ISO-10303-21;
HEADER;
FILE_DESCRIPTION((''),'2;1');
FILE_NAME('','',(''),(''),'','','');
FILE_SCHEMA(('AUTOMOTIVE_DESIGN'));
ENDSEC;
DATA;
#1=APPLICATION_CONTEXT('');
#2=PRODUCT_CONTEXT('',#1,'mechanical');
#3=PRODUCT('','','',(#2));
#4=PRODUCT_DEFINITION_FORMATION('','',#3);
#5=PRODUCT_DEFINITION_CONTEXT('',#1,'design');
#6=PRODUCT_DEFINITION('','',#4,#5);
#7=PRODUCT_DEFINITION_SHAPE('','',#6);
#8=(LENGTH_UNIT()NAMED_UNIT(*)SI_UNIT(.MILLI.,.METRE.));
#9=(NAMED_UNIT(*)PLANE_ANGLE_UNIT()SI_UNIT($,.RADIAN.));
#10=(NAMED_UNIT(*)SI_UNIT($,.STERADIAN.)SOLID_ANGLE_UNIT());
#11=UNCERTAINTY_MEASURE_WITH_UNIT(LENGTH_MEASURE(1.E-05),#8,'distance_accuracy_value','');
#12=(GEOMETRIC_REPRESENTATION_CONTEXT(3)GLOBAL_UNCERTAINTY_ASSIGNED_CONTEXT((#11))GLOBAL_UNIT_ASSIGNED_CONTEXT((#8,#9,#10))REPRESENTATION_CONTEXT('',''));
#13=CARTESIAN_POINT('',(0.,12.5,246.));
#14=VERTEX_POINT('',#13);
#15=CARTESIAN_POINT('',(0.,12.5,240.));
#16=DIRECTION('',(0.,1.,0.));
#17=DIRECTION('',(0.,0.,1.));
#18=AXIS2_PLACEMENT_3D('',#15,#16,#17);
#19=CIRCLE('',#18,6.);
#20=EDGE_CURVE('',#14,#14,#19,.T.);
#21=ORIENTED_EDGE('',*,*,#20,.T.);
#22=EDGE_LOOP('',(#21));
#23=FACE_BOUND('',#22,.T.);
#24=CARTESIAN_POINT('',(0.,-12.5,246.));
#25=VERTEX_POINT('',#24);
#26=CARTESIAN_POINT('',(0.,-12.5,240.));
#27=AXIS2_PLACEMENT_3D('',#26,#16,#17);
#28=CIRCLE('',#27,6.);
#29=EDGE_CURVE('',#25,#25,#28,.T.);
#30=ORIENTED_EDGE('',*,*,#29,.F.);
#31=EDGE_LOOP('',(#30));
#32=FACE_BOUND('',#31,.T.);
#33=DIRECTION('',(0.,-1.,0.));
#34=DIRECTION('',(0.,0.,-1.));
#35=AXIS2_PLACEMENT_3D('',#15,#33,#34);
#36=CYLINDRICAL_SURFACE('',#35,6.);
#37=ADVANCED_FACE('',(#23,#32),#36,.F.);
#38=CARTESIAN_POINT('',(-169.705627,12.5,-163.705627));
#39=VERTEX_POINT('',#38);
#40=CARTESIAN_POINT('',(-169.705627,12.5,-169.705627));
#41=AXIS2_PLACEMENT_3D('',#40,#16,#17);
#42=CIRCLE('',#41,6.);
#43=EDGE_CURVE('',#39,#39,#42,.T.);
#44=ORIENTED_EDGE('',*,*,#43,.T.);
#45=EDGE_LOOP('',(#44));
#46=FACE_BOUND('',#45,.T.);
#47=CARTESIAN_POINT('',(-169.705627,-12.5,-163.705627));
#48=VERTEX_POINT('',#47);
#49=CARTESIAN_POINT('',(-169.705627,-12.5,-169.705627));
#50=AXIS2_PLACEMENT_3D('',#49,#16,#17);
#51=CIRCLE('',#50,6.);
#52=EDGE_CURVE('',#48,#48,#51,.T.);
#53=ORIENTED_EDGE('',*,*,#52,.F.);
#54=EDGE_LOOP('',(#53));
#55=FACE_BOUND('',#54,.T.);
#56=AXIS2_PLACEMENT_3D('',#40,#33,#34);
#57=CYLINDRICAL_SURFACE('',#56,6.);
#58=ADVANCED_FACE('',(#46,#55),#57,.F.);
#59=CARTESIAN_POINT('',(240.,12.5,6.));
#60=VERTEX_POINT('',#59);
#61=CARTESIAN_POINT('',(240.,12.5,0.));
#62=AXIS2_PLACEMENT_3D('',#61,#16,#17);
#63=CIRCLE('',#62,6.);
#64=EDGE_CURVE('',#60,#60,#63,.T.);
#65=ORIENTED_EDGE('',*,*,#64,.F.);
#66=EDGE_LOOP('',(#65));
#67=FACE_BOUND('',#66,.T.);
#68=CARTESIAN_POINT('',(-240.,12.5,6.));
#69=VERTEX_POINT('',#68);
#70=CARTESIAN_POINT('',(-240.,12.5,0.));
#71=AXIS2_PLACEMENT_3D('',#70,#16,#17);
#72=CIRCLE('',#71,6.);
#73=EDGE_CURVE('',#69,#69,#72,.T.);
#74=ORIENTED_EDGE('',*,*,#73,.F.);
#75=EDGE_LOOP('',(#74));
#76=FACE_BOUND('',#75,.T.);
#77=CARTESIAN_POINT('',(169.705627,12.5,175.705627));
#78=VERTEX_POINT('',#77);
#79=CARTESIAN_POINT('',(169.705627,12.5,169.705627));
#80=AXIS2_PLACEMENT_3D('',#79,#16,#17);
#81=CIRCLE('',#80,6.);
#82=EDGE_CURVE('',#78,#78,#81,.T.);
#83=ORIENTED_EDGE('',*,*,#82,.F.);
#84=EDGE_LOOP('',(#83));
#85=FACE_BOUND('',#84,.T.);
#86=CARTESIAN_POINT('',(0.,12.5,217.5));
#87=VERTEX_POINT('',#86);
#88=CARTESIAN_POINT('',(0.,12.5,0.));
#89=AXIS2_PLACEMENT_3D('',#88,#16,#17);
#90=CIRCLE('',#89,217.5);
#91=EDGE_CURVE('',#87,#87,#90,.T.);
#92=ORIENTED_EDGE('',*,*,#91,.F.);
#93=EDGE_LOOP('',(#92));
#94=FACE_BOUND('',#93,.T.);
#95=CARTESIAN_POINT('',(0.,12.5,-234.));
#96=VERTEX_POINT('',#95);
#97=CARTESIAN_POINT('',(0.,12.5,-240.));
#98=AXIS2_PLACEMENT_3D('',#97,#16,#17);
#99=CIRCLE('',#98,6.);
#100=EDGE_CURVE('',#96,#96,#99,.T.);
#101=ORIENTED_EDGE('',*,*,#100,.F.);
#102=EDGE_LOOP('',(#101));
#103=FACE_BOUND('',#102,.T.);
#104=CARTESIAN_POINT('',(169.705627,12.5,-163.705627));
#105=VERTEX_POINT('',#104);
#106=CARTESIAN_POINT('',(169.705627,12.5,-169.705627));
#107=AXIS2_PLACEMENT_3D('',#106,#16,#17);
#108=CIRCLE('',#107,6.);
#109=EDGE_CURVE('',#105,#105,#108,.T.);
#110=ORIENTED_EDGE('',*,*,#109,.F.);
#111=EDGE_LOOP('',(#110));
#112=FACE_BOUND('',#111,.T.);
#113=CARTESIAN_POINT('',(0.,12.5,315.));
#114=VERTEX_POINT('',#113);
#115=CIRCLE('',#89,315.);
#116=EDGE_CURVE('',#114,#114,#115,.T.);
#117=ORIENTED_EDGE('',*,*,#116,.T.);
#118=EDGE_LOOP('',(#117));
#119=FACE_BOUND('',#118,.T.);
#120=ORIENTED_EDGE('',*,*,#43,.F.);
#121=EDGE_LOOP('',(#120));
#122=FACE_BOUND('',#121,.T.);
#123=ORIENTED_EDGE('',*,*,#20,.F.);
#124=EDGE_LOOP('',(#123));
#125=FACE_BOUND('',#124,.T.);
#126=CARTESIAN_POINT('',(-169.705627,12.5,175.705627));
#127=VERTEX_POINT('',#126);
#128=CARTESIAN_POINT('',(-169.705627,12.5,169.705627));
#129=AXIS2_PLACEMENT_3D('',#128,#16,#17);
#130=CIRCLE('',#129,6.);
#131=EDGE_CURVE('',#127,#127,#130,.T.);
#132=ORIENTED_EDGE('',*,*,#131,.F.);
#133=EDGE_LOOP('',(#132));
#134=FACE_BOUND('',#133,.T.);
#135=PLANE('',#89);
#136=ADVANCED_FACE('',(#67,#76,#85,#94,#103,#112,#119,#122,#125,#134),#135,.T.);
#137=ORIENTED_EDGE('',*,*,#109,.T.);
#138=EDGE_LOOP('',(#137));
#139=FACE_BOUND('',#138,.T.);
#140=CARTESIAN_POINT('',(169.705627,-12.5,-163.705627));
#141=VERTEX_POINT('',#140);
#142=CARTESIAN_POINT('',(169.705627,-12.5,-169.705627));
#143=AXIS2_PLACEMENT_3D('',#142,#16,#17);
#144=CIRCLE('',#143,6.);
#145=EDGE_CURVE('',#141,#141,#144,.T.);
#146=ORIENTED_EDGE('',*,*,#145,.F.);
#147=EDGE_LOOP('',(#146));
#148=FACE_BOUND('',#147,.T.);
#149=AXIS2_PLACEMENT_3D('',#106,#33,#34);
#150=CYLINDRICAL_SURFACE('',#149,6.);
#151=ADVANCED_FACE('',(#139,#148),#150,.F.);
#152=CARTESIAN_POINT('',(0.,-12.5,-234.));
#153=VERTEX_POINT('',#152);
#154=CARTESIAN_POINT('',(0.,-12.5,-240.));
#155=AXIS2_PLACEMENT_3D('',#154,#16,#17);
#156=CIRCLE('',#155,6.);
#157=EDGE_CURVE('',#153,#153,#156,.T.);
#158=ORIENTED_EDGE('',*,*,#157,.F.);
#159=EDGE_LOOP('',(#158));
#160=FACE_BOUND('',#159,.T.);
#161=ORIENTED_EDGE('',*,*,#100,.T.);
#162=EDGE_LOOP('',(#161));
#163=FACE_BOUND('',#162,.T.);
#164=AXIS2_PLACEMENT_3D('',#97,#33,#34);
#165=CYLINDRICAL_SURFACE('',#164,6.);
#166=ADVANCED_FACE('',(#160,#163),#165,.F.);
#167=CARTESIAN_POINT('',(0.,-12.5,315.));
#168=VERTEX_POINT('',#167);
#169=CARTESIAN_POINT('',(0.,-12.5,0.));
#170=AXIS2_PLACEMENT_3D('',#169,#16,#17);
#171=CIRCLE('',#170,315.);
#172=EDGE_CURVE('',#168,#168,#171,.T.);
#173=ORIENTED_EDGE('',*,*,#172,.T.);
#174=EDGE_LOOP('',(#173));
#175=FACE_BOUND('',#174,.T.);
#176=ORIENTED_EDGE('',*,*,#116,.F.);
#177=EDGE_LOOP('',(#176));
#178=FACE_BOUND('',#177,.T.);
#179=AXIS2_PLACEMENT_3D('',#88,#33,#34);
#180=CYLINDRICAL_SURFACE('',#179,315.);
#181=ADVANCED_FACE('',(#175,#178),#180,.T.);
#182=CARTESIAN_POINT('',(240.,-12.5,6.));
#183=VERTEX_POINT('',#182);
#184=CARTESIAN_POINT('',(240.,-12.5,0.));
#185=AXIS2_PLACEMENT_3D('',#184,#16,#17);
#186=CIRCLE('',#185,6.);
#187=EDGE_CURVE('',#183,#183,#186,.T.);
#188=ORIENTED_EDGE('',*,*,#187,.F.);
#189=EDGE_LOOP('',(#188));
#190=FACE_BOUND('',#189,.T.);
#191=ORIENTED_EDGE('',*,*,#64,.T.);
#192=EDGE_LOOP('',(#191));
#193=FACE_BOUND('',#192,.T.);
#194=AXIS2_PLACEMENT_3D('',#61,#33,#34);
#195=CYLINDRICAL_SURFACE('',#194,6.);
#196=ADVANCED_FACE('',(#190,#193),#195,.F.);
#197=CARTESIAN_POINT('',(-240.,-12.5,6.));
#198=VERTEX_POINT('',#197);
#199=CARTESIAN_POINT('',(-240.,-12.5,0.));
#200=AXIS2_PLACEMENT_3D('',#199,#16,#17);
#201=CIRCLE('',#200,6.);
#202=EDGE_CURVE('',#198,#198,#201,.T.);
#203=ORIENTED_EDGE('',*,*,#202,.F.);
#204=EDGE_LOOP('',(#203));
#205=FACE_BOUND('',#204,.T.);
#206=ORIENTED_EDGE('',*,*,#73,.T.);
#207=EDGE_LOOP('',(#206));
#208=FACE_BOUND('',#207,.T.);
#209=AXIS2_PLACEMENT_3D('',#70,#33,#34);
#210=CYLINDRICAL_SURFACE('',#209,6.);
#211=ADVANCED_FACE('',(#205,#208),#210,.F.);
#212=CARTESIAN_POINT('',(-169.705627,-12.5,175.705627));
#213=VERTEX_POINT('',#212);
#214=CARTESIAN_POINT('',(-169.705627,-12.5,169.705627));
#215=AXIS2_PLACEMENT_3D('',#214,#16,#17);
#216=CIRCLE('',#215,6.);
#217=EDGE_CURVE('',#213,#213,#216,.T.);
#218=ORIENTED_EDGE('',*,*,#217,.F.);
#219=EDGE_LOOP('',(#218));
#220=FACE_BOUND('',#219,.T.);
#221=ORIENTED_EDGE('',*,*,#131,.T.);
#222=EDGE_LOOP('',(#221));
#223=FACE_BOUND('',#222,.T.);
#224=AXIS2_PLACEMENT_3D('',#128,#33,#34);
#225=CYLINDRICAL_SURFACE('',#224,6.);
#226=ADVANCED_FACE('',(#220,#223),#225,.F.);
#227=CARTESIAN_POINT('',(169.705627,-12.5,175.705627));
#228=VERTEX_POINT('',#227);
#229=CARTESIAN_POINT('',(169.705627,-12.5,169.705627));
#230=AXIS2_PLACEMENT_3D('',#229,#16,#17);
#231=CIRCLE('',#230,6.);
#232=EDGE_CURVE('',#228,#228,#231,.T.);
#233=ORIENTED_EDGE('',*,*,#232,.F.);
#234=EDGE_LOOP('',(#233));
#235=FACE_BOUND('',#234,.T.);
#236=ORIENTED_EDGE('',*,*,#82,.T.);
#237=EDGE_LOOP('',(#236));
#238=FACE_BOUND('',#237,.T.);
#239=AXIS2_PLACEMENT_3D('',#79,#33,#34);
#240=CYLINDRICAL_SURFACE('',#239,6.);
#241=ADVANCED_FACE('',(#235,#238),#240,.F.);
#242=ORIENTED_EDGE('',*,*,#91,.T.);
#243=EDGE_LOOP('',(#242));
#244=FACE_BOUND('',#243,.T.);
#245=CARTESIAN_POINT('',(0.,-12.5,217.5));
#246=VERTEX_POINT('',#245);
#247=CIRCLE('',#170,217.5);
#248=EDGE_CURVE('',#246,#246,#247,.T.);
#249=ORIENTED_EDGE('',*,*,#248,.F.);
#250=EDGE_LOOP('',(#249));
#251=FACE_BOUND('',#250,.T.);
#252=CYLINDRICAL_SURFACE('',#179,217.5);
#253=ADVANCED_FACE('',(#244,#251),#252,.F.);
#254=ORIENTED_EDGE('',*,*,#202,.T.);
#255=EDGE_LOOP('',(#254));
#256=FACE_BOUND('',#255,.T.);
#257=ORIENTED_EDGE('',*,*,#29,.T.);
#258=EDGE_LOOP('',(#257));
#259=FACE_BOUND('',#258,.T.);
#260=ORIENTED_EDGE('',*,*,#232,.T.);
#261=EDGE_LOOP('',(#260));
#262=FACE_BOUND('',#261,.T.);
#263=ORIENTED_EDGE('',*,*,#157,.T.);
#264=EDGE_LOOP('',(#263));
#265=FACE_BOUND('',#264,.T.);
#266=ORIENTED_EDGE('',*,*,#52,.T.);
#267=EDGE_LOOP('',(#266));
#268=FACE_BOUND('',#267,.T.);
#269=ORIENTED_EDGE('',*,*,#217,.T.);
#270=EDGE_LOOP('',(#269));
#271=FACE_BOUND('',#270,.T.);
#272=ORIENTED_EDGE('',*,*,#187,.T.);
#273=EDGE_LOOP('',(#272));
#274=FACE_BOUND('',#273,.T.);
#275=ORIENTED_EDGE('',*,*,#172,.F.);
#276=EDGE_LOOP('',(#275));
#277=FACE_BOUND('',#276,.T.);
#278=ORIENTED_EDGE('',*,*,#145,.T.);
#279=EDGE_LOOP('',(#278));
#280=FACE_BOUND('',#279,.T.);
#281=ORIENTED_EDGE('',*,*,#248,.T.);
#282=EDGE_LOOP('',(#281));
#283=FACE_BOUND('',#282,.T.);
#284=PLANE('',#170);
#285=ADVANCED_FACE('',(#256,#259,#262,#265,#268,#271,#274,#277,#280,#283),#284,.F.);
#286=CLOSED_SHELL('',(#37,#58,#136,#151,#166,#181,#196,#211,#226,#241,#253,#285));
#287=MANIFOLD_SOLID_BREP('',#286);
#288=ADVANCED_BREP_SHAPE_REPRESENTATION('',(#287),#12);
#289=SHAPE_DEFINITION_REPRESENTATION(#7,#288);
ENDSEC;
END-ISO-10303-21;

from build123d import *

# Parameters (mm, degrees)
SKETCH1_R           = 315
SKETCH1_R_2         = 217.5
SKETCH1_R_3         = 6
BOSS_EXTRUDE1_DEPTH = 12.5


with BuildPart() as part:
    # Sketch1 → Boss-Extrude1 (new, symmetric)
    with BuildSketch(Plane(origin=(0, 0, 0), x_dir=(1, 0, 0), z_dir=(0, 1, 0))):
        with Locations(Location((0, 0, 0), (0, 0, 270))):
            Circle(SKETCH1_R)
        with Locations(Location((0, 0, 0), (0, 0, 270))):
            Circle(SKETCH1_R_2, mode=Mode.SUBTRACT)
        with Locations(Location((0, 240, 0), (0, 0, 270))):
            Circle(SKETCH1_R_3, mode=Mode.SUBTRACT)
        with Locations(Location((169.705627485, 169.705627485, 0), (0, 0, 270))):
            Circle(SKETCH1_R_3, mode=Mode.SUBTRACT)
        with Locations(Location((240, 0, 0), (0, 0, 270))):
            Circle(SKETCH1_R_3, mode=Mode.SUBTRACT)
        with Locations(Location((169.705627485, -169.705627485, 0), (0, 0, 270))):
            Circle(SKETCH1_R_3, mode=Mode.SUBTRACT)
        with Locations(Location((0, -240, 0), (0, 0, 270))):
            Circle(SKETCH1_R_3, mode=Mode.SUBTRACT)
        with Locations(Location((-169.705627485, -169.705627485, 0), (0, 0, 270))):
            Circle(SKETCH1_R_3, mode=Mode.SUBTRACT)
        with Locations(Location((-240, 0, 0), (0, 0, 270))):
            Circle(SKETCH1_R_3, mode=Mode.SUBTRACT)
        with Locations(Location((-169.705627485, 169.705627485, 0), (0, 0, 270))):
            Circle(SKETCH1_R_3, mode=Mode.SUBTRACT)
    extrude(amount=BOSS_EXTRUDE1_DEPTH, both=True)


solid = part.part
